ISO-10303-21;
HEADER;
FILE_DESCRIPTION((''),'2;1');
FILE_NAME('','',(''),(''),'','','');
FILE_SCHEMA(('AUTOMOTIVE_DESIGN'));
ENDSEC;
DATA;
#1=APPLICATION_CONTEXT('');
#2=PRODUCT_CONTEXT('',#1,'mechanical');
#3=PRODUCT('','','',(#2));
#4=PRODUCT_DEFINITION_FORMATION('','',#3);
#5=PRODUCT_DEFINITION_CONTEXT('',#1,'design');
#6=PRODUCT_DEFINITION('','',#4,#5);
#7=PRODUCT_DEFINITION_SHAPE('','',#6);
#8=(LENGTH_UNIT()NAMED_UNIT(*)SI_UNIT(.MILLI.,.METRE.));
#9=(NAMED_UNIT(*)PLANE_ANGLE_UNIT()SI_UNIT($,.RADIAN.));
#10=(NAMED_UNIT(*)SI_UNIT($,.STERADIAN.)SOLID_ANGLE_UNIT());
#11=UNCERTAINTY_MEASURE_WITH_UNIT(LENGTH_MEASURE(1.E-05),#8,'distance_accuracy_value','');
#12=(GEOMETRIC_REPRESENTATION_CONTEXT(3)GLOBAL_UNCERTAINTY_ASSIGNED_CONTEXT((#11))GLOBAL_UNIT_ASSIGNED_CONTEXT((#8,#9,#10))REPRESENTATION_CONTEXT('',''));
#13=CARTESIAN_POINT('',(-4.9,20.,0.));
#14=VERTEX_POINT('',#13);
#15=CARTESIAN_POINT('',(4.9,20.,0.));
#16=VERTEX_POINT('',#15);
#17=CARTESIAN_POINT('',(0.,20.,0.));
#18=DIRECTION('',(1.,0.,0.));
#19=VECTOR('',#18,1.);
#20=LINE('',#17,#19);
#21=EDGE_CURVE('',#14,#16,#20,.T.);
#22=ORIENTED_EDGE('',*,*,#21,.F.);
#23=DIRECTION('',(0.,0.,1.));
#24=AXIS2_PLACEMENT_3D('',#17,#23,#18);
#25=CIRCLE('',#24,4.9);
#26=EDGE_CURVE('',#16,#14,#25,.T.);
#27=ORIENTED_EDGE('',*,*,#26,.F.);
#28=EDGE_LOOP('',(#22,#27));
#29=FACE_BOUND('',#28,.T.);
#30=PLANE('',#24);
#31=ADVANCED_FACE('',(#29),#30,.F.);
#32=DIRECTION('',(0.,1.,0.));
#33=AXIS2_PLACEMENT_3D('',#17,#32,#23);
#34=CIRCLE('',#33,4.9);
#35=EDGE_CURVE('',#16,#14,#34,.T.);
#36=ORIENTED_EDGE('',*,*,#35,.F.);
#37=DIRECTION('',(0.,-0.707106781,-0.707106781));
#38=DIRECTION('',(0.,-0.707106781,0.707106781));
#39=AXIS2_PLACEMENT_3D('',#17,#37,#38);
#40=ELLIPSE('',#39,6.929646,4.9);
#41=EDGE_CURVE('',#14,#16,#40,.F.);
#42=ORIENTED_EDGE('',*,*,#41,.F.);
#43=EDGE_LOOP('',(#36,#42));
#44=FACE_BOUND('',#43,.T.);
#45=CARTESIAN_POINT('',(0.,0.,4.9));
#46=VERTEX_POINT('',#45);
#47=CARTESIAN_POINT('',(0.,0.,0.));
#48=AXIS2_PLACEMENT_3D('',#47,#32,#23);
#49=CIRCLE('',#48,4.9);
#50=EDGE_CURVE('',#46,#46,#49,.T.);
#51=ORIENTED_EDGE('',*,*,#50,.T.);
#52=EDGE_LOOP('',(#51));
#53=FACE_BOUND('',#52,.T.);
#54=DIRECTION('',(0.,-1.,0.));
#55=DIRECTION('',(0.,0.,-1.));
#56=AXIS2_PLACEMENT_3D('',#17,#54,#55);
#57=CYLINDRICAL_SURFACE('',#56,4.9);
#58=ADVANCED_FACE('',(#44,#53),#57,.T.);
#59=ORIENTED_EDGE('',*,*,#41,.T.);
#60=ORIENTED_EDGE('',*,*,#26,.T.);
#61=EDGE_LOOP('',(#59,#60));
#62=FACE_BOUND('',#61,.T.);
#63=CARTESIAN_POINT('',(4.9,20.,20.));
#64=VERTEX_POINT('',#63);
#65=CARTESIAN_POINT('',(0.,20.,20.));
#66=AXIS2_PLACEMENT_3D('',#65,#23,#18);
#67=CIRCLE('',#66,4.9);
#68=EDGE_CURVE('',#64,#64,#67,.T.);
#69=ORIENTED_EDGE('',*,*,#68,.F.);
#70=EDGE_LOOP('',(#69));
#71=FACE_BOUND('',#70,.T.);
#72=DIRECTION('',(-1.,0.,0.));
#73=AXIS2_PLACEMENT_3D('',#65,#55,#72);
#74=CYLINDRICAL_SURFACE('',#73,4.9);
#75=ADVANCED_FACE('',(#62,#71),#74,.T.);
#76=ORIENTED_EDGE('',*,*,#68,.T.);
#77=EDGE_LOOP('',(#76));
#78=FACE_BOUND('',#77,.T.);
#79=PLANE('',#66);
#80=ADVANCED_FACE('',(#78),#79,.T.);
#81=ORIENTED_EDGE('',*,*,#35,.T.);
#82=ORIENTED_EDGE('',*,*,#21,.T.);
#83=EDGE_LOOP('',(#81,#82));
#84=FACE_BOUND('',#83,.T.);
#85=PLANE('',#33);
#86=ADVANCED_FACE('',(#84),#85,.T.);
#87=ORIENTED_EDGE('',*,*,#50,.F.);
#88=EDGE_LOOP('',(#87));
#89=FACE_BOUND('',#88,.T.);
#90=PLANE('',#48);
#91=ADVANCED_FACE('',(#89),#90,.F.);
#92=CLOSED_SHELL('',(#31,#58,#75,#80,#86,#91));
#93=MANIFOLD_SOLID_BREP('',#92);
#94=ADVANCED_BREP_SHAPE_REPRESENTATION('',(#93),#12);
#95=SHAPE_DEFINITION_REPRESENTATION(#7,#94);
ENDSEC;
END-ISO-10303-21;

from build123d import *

# Parameters (mm, degrees)
SKETCH1_R           = 4.9
BOSS_EXTRUDE1_DEPTH = 20
SKETCH3_R           = 4.9
BOSS_EXTRUDE2_DEPTH = 20


with BuildPart() as part:
    # Sketch1 → Boss-Extrude1 (new body)
    with BuildSketch(Plane(origin=(0, 0, 0), x_dir=(1, 0, 0), z_dir=(0, 1, 0))):
        with Locations(Location((0, 0, 0), (0, 0, 270))):
            Circle(SKETCH1_R)
    extrude(amount=BOSS_EXTRUDE1_DEPTH)

    # Sketch3 → Boss-Extrude2 (add)
    with BuildSketch(Plane.XY):
        with Locations((0, 20)):
            Circle(SKETCH3_R)
    extrude(amount=BOSS_EXTRUDE2_DEPTH)


solid = part.part
